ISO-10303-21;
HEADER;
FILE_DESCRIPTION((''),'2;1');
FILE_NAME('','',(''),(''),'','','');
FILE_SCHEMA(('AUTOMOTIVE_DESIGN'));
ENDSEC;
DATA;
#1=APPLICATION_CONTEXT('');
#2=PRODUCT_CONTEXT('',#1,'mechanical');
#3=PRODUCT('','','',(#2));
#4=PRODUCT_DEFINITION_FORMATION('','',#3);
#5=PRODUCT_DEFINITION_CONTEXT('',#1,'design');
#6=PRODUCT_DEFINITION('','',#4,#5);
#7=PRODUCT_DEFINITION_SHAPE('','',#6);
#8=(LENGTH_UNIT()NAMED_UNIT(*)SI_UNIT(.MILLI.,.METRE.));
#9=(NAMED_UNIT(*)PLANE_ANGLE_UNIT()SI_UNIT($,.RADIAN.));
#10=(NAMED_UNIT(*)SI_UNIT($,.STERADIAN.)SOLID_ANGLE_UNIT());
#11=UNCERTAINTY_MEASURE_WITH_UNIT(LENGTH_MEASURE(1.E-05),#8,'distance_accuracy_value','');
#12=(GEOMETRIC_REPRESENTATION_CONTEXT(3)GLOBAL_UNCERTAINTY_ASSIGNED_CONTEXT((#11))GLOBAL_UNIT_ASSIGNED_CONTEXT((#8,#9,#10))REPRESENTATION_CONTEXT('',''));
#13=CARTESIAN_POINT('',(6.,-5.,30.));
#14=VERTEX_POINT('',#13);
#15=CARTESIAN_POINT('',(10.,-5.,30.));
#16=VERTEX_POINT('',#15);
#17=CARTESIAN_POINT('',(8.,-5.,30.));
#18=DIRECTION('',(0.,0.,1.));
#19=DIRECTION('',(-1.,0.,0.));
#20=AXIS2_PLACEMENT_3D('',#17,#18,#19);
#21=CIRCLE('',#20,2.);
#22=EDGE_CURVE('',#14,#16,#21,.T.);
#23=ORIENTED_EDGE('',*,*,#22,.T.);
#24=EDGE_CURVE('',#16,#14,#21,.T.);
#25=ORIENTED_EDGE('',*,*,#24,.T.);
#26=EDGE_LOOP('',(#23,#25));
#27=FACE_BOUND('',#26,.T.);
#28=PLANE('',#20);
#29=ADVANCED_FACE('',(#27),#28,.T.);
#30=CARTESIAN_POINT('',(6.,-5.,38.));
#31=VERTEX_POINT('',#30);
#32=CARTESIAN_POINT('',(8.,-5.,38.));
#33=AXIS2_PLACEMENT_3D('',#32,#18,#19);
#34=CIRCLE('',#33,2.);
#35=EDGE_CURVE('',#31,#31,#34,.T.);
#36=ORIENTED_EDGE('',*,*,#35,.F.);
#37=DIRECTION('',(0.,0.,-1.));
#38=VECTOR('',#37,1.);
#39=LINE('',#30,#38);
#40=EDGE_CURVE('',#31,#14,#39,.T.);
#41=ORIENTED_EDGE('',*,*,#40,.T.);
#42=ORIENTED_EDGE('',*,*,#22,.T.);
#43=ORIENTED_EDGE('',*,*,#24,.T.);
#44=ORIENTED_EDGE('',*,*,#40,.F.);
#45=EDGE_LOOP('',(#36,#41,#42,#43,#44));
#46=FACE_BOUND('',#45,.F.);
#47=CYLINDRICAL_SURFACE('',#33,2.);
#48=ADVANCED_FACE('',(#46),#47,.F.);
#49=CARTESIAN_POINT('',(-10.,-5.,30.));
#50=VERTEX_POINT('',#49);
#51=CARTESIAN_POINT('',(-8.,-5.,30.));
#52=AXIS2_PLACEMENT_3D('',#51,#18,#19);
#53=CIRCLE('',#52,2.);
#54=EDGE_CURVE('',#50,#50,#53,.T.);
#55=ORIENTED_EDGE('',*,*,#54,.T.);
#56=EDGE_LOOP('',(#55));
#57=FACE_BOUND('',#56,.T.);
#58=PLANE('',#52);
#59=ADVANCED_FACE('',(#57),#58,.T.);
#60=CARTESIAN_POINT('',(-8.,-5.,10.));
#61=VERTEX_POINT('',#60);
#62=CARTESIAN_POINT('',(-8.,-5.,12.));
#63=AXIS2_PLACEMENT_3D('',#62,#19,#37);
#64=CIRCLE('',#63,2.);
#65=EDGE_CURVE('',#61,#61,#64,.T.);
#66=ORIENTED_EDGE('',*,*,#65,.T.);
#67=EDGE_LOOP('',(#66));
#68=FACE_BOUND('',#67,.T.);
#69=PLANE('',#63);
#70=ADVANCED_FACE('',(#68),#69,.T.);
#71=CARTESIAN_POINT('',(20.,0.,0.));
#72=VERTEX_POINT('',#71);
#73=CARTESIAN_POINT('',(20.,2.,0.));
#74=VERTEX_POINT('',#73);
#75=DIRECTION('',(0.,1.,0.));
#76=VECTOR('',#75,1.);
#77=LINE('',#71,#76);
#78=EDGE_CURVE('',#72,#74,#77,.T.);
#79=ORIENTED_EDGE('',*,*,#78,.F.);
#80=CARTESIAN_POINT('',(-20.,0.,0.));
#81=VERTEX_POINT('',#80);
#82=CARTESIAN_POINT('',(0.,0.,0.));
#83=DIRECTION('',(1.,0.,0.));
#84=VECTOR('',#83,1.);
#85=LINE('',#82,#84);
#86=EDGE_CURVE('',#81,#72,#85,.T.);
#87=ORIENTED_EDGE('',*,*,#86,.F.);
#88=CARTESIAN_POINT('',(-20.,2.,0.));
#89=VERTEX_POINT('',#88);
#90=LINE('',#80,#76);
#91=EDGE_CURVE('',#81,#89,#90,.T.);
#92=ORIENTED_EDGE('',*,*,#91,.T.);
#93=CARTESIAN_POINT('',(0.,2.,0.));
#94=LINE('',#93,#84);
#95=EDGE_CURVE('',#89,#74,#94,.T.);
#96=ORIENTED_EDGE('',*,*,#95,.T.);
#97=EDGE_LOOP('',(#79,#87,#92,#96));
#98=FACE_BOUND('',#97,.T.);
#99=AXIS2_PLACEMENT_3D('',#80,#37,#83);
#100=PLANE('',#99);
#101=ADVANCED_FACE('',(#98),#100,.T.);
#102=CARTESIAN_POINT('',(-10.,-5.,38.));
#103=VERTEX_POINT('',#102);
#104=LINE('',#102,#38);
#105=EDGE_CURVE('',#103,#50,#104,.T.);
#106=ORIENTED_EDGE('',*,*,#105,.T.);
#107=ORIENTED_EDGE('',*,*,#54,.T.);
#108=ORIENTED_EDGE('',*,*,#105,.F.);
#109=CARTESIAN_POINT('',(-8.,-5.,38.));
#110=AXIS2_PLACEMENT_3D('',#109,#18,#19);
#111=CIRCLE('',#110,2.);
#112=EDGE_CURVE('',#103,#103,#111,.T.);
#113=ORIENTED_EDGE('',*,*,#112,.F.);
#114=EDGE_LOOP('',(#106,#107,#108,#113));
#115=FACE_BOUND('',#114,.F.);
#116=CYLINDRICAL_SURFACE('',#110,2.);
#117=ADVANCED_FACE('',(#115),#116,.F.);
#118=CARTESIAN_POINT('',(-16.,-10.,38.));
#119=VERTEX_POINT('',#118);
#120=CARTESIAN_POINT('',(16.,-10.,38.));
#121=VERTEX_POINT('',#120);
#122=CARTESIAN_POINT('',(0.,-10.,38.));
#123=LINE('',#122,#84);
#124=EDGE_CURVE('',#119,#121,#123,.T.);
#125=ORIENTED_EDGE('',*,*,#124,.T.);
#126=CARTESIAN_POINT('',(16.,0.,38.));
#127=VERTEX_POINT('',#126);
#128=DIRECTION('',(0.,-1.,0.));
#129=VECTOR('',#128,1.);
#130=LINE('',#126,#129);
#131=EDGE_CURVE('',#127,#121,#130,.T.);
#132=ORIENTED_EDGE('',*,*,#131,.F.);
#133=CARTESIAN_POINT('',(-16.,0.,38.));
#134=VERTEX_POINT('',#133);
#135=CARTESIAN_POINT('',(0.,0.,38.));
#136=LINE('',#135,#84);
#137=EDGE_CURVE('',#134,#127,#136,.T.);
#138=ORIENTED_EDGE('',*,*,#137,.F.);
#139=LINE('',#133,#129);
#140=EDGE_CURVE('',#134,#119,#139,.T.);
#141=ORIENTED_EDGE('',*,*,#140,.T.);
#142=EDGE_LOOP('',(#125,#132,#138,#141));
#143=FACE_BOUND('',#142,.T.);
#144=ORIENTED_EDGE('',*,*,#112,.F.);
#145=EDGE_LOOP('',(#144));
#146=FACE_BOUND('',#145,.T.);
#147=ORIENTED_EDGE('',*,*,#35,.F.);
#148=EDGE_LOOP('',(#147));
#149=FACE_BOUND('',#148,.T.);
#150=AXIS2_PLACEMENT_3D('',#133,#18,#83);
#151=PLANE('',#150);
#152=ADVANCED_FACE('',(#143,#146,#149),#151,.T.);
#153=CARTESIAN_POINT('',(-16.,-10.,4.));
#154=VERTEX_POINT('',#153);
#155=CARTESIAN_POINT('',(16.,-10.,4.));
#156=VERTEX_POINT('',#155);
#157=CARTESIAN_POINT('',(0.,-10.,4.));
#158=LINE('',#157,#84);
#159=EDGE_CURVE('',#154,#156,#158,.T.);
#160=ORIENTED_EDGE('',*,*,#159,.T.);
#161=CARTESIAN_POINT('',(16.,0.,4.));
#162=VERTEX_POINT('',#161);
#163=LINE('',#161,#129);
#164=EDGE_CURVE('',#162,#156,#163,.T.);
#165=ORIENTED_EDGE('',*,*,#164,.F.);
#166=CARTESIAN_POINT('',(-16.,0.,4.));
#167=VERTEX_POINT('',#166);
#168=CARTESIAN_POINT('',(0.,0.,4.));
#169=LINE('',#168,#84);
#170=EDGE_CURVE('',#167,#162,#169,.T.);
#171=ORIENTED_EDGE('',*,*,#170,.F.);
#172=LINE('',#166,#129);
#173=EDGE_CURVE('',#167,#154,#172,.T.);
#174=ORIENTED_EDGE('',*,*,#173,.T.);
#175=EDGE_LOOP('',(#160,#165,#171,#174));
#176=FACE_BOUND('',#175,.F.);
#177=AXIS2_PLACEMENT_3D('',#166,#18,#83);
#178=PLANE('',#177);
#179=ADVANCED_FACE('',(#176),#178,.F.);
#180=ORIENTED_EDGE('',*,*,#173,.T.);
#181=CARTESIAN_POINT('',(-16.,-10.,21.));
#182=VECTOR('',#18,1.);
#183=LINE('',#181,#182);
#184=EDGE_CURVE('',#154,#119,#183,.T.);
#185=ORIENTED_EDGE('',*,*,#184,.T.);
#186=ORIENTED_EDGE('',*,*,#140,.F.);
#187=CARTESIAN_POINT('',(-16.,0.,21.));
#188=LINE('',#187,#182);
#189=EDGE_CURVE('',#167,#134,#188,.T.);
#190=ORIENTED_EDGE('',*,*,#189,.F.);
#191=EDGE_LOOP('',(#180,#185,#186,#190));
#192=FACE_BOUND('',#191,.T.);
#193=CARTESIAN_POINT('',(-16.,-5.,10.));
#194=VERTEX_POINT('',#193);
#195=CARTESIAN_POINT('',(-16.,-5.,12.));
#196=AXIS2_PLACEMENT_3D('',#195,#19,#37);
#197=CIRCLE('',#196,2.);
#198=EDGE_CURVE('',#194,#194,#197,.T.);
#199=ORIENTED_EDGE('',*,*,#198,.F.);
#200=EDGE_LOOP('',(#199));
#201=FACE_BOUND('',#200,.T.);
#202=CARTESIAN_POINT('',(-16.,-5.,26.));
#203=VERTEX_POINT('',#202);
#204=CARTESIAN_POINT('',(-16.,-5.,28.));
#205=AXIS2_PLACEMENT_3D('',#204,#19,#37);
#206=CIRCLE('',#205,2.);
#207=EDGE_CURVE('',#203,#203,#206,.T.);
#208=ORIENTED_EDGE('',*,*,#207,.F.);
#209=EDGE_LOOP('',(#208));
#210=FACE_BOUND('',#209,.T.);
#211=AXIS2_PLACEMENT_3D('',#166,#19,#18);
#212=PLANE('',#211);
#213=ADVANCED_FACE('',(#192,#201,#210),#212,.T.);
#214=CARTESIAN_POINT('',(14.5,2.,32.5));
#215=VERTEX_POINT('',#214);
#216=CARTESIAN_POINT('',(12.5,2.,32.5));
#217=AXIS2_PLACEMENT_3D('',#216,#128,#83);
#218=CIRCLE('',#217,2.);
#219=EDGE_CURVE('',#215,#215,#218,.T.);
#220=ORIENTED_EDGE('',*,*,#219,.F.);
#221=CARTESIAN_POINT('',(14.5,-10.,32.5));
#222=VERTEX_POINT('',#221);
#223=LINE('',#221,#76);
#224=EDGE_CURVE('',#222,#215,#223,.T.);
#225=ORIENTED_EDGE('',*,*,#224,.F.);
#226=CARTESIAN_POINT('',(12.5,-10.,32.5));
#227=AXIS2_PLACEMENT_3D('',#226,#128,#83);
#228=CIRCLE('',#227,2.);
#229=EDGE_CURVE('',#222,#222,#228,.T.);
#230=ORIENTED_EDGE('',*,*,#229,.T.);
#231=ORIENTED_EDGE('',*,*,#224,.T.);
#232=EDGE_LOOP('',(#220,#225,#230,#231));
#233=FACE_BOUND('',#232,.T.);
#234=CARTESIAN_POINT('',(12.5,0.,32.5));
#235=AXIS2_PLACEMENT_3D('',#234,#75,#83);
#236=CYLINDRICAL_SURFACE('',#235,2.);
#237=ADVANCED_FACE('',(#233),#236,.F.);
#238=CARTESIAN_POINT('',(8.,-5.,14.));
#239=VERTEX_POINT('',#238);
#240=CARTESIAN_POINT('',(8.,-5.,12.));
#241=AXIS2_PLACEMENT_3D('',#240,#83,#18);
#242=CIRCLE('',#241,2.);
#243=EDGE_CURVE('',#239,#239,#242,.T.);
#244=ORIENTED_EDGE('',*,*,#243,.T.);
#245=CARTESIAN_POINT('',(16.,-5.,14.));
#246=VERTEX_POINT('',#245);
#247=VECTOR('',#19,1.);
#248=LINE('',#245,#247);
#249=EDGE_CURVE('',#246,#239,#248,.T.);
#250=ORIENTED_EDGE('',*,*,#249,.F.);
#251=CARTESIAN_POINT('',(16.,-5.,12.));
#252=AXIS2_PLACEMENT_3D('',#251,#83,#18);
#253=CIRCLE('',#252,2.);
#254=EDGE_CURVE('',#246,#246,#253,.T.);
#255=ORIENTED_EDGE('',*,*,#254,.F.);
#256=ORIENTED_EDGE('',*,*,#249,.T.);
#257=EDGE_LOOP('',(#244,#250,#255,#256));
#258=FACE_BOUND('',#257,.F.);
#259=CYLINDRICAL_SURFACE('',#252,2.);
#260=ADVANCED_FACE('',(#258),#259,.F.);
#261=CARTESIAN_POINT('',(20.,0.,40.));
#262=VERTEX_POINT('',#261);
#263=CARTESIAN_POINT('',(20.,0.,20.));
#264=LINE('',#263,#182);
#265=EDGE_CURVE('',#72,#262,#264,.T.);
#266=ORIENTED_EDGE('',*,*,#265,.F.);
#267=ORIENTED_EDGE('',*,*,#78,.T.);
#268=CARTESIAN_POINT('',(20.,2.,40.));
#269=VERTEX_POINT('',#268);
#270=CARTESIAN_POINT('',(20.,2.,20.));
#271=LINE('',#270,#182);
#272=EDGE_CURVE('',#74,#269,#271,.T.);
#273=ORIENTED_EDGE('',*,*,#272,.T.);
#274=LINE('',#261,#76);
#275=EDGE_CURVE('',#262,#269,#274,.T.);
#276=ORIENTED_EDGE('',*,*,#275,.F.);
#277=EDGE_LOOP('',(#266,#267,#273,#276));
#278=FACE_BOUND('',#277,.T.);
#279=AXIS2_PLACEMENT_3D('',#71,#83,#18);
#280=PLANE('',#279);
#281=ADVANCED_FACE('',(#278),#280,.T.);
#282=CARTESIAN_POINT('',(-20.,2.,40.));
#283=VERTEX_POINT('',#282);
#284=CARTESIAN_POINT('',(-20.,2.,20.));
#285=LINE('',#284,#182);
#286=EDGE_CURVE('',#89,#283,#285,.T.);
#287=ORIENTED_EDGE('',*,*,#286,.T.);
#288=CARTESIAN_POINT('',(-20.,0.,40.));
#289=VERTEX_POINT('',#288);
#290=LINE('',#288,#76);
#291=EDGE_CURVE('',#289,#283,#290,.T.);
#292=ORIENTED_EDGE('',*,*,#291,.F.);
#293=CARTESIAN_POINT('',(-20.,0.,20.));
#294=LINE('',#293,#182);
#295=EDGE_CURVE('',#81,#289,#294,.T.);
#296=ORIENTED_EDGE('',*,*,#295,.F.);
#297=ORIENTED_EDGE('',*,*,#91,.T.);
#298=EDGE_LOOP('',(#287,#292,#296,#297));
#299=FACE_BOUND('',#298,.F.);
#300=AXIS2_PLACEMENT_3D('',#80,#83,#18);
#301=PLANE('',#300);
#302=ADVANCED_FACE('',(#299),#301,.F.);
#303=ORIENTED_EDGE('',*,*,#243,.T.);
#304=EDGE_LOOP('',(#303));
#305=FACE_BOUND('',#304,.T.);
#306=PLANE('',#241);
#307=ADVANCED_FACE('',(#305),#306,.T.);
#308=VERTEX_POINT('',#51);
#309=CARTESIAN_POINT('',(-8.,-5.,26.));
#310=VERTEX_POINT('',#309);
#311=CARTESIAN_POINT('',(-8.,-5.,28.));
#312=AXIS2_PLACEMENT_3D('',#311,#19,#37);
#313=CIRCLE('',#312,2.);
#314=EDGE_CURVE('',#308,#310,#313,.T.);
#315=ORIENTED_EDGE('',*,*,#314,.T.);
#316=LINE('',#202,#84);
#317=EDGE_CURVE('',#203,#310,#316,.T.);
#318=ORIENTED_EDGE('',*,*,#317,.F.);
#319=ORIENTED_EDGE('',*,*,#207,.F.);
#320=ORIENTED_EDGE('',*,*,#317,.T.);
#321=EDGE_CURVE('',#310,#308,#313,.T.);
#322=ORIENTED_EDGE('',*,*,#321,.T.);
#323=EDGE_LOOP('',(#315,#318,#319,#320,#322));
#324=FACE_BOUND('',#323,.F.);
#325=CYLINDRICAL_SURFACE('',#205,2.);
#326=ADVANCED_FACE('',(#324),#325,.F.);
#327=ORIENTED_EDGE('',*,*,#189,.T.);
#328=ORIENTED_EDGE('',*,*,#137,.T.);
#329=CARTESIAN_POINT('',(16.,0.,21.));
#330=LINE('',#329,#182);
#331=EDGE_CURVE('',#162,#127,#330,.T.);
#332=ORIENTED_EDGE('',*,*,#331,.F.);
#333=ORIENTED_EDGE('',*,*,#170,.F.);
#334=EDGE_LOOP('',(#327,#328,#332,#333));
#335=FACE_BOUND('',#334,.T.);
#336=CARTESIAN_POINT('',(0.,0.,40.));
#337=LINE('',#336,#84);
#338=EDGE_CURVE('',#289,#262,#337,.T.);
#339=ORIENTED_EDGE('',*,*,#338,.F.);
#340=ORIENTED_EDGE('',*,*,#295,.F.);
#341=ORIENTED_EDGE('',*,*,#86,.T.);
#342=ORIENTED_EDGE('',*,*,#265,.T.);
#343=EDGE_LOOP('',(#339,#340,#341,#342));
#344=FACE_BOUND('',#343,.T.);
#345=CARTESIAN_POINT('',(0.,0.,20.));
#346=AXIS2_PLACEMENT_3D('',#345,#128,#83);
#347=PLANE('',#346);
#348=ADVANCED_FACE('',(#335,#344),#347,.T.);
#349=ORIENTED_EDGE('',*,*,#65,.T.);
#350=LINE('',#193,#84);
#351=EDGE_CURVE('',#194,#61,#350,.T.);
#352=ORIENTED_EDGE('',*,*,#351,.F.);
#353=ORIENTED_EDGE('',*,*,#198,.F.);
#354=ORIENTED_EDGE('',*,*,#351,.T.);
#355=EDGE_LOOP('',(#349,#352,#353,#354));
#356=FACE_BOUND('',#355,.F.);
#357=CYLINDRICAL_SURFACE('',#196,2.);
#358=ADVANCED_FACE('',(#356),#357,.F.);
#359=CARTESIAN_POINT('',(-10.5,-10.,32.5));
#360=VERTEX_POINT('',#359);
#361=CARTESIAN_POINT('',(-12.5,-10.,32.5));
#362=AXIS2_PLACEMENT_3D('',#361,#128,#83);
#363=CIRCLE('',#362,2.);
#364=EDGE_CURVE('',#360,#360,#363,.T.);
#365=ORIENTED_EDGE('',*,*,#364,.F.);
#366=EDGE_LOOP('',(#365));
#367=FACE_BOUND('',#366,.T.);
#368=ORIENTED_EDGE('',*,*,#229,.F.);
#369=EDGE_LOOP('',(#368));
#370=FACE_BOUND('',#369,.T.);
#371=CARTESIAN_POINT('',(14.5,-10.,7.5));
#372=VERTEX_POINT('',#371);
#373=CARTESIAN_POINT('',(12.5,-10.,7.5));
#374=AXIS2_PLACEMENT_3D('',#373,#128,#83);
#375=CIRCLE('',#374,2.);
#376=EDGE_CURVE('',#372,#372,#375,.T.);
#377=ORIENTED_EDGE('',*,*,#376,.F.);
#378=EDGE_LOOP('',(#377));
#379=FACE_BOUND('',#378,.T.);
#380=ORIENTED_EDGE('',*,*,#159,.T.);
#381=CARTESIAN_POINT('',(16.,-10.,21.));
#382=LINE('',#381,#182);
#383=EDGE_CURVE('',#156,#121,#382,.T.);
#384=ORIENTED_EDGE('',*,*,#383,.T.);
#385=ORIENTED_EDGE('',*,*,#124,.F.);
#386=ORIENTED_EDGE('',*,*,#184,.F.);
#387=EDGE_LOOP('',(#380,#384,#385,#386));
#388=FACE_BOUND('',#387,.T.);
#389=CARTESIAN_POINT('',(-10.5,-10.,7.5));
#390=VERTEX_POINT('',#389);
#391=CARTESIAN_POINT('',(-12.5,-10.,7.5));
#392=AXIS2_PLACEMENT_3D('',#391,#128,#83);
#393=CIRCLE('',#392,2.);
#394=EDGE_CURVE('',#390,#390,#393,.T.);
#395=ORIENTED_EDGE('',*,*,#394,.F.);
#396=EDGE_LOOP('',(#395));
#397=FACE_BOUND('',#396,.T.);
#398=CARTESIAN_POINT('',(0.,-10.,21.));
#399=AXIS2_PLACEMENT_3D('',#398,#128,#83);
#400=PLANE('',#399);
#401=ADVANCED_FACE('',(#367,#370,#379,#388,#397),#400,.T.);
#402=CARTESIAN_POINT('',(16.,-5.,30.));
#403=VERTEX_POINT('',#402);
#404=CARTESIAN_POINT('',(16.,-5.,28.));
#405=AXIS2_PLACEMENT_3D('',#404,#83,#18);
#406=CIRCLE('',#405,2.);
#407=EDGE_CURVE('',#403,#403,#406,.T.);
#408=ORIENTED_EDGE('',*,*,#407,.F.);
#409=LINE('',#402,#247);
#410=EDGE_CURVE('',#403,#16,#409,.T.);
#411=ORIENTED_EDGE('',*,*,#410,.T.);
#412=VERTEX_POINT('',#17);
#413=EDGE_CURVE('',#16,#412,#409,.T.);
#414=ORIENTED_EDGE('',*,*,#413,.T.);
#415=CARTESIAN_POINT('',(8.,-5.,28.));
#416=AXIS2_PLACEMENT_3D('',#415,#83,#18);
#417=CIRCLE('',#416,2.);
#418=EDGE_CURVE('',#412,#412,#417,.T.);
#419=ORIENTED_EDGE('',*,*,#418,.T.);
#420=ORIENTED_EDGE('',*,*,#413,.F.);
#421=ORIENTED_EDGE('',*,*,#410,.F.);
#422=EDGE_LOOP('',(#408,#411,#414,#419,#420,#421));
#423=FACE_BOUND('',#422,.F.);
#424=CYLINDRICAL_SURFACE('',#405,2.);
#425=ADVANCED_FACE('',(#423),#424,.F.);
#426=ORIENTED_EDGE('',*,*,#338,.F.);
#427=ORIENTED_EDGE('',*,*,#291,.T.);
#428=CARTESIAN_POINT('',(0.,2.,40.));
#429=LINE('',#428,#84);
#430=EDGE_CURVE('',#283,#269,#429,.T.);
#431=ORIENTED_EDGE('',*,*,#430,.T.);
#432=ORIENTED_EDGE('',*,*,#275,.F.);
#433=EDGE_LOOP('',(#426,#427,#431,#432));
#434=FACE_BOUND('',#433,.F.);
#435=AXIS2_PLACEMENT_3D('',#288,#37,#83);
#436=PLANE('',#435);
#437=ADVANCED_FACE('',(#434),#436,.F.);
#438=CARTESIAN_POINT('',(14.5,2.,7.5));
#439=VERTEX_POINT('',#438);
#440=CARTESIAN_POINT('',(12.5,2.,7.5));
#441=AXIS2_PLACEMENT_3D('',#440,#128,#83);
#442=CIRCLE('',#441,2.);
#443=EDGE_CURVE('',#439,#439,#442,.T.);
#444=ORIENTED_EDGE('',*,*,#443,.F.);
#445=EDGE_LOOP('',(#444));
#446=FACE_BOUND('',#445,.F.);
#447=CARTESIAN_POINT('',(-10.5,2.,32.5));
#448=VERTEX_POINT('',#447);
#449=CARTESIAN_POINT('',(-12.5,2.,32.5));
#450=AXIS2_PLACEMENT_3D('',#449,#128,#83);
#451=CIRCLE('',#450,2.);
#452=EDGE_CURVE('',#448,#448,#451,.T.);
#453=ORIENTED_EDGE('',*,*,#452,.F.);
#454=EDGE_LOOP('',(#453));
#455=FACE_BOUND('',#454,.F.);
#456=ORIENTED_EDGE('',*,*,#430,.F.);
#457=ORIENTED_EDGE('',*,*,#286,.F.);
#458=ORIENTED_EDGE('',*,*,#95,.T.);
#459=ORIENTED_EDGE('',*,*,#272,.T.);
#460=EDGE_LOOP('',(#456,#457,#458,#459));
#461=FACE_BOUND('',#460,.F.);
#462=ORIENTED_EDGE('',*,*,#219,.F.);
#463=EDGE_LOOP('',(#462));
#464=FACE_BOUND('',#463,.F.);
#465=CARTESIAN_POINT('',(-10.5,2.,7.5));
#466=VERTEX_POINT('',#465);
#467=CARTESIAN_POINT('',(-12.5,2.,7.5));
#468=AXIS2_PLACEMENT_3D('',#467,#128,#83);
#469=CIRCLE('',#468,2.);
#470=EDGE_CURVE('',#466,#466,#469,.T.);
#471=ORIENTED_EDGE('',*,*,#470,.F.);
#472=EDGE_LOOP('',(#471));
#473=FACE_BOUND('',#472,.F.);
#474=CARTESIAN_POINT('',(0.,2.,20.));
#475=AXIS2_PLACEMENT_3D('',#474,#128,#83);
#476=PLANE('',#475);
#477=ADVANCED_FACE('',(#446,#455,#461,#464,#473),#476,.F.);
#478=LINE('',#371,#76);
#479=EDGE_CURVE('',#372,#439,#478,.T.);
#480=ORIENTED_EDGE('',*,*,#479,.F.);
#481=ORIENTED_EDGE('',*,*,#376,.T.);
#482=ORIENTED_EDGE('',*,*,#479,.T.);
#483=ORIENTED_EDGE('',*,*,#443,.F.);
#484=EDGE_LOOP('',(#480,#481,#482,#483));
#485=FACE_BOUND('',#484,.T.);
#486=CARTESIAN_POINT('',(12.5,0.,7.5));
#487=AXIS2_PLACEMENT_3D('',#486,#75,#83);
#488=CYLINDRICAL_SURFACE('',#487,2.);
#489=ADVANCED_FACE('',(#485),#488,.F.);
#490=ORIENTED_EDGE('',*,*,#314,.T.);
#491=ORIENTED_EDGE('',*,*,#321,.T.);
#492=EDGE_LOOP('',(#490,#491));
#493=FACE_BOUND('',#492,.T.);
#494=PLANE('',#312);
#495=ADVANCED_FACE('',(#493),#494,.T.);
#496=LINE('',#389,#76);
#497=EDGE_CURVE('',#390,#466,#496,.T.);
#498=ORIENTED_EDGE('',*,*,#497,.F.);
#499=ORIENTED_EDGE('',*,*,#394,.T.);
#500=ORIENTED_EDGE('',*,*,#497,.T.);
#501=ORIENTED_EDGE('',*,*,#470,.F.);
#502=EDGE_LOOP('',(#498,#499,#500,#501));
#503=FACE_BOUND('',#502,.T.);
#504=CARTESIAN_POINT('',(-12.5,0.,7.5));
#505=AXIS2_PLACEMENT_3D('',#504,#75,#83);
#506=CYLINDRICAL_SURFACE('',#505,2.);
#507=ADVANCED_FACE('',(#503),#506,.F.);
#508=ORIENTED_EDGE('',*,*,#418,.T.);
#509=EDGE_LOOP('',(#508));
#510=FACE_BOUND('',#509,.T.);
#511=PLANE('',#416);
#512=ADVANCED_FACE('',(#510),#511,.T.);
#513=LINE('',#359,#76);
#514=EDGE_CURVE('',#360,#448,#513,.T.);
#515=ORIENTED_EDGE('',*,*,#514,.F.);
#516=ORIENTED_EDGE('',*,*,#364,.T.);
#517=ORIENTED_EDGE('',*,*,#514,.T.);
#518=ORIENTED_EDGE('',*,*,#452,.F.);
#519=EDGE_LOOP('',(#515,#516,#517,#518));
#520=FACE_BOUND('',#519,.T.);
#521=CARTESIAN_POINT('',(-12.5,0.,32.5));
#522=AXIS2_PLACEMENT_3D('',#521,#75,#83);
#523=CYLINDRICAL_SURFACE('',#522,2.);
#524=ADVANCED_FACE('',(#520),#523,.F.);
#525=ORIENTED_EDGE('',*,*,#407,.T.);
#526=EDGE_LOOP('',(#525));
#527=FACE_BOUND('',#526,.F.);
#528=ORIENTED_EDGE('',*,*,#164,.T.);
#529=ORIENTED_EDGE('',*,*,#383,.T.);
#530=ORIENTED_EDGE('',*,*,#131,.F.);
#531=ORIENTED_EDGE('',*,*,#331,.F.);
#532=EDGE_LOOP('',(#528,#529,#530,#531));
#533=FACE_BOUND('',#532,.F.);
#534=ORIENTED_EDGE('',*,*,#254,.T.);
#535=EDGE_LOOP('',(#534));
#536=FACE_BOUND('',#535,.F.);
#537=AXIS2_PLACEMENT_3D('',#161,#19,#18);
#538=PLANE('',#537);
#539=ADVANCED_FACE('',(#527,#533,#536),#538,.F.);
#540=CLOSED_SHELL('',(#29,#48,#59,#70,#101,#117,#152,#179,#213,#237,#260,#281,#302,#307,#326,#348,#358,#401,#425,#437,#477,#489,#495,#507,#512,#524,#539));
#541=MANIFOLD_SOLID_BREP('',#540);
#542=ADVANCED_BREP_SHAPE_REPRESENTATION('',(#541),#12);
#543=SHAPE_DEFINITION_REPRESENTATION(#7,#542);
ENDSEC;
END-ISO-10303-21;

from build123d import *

# Parameters (mm, degrees)
SKETCH032_W     = 40
SKETCH032_H     = 40
SKETCH032_R     = 2
PAD018_DEPTH    = 2
SKETCH033_W     = 32
SKETCH033_H     = 34
SKETCH033_R     = 2
PAD019_DEPTH    = 10
SKETCH034_R     = 2
POCKET013_DEPTH = 8
SKETCH035_R     = 2
POCKET014_DEPTH = 8
SKETCH039_R     = 2
POCKET015_DEPTH = 8


with BuildPart() as part:
    # Sketch032 → Pad018 (new body)
    with BuildSketch(Plane.XZ):
        with Locations((0, 20)):
            Rectangle(SKETCH032_W, SKETCH032_H)
        with Locations((-12.5, 7.5)):
            Circle(SKETCH032_R, mode=Mode.SUBTRACT)
        with Locations((-12.5, 32.5)):
            Circle(SKETCH032_R, mode=Mode.SUBTRACT)
        with Locations((12.5, 32.5)):
            Circle(SKETCH032_R, mode=Mode.SUBTRACT)
        with Locations((12.5, 7.5)):
            Circle(SKETCH032_R, mode=Mode.SUBTRACT)
    extrude(amount=-PAD018_DEPTH)

    # Sketch033 (on Face9 of Pad018) → Pad019 (join)
    with BuildSketch(Plane.XZ):
        with Locations((0, 21)):
            Rectangle(SKETCH033_W, SKETCH033_H)
        with Locations((-12.5, 32.5)):
            Circle(SKETCH033_R, mode=Mode.SUBTRACT)
        with Locations((12.5, 32.5)):
            Circle(SKETCH033_R, mode=Mode.SUBTRACT)
        with Locations((-12.5, 7.5)):
            Circle(SKETCH033_R, mode=Mode.SUBTRACT)
        with Locations((12.5, 7.5)):
            Circle(SKETCH033_R, mode=Mode.SUBTRACT)
    extrude(amount=PAD019_DEPTH)

    # Sketch034 (on Face10 of Pad019) → Pocket013 (cut)
    with BuildSketch(Plane(origin=(-16, 0, 0), x_dir=(0, 0, -1), z_dir=(-1, 0, 0))):
        with Locations((-28, 5)):
            Circle(SKETCH034_R)
        with Locations((-12, 5)):
            Circle(SKETCH034_R)
    extrude(amount=-POCKET013_DEPTH, mode=Mode.SUBTRACT)

    # Sketch035 (on Face7 of Pocket013) → Pocket014 (cut)
    with BuildSketch(Plane(origin=(0, 0, 38), x_dir=(-1, 0, 0), z_dir=(0, 0, 1))):
        with Locations((-8, 5)):
            Circle(SKETCH035_R)
        with Locations((8, 5)):
            Circle(SKETCH035_R)
    extrude(amount=-POCKET014_DEPTH, mode=Mode.SUBTRACT)

    # Sketch039 (on Face8 of Pocket014) → Pocket015 (cut)
    with BuildSketch(Plane(origin=(16, 0, 0), x_dir=(0, 0, 1), z_dir=(1, 0, 0))):
        with Locations((12, 5)):
            Circle(SKETCH039_R)
        with Locations((28, 5)):
            Circle(SKETCH039_R)
    extrude(amount=-POCKET015_DEPTH, mode=Mode.SUBTRACT)


solid = part.part
